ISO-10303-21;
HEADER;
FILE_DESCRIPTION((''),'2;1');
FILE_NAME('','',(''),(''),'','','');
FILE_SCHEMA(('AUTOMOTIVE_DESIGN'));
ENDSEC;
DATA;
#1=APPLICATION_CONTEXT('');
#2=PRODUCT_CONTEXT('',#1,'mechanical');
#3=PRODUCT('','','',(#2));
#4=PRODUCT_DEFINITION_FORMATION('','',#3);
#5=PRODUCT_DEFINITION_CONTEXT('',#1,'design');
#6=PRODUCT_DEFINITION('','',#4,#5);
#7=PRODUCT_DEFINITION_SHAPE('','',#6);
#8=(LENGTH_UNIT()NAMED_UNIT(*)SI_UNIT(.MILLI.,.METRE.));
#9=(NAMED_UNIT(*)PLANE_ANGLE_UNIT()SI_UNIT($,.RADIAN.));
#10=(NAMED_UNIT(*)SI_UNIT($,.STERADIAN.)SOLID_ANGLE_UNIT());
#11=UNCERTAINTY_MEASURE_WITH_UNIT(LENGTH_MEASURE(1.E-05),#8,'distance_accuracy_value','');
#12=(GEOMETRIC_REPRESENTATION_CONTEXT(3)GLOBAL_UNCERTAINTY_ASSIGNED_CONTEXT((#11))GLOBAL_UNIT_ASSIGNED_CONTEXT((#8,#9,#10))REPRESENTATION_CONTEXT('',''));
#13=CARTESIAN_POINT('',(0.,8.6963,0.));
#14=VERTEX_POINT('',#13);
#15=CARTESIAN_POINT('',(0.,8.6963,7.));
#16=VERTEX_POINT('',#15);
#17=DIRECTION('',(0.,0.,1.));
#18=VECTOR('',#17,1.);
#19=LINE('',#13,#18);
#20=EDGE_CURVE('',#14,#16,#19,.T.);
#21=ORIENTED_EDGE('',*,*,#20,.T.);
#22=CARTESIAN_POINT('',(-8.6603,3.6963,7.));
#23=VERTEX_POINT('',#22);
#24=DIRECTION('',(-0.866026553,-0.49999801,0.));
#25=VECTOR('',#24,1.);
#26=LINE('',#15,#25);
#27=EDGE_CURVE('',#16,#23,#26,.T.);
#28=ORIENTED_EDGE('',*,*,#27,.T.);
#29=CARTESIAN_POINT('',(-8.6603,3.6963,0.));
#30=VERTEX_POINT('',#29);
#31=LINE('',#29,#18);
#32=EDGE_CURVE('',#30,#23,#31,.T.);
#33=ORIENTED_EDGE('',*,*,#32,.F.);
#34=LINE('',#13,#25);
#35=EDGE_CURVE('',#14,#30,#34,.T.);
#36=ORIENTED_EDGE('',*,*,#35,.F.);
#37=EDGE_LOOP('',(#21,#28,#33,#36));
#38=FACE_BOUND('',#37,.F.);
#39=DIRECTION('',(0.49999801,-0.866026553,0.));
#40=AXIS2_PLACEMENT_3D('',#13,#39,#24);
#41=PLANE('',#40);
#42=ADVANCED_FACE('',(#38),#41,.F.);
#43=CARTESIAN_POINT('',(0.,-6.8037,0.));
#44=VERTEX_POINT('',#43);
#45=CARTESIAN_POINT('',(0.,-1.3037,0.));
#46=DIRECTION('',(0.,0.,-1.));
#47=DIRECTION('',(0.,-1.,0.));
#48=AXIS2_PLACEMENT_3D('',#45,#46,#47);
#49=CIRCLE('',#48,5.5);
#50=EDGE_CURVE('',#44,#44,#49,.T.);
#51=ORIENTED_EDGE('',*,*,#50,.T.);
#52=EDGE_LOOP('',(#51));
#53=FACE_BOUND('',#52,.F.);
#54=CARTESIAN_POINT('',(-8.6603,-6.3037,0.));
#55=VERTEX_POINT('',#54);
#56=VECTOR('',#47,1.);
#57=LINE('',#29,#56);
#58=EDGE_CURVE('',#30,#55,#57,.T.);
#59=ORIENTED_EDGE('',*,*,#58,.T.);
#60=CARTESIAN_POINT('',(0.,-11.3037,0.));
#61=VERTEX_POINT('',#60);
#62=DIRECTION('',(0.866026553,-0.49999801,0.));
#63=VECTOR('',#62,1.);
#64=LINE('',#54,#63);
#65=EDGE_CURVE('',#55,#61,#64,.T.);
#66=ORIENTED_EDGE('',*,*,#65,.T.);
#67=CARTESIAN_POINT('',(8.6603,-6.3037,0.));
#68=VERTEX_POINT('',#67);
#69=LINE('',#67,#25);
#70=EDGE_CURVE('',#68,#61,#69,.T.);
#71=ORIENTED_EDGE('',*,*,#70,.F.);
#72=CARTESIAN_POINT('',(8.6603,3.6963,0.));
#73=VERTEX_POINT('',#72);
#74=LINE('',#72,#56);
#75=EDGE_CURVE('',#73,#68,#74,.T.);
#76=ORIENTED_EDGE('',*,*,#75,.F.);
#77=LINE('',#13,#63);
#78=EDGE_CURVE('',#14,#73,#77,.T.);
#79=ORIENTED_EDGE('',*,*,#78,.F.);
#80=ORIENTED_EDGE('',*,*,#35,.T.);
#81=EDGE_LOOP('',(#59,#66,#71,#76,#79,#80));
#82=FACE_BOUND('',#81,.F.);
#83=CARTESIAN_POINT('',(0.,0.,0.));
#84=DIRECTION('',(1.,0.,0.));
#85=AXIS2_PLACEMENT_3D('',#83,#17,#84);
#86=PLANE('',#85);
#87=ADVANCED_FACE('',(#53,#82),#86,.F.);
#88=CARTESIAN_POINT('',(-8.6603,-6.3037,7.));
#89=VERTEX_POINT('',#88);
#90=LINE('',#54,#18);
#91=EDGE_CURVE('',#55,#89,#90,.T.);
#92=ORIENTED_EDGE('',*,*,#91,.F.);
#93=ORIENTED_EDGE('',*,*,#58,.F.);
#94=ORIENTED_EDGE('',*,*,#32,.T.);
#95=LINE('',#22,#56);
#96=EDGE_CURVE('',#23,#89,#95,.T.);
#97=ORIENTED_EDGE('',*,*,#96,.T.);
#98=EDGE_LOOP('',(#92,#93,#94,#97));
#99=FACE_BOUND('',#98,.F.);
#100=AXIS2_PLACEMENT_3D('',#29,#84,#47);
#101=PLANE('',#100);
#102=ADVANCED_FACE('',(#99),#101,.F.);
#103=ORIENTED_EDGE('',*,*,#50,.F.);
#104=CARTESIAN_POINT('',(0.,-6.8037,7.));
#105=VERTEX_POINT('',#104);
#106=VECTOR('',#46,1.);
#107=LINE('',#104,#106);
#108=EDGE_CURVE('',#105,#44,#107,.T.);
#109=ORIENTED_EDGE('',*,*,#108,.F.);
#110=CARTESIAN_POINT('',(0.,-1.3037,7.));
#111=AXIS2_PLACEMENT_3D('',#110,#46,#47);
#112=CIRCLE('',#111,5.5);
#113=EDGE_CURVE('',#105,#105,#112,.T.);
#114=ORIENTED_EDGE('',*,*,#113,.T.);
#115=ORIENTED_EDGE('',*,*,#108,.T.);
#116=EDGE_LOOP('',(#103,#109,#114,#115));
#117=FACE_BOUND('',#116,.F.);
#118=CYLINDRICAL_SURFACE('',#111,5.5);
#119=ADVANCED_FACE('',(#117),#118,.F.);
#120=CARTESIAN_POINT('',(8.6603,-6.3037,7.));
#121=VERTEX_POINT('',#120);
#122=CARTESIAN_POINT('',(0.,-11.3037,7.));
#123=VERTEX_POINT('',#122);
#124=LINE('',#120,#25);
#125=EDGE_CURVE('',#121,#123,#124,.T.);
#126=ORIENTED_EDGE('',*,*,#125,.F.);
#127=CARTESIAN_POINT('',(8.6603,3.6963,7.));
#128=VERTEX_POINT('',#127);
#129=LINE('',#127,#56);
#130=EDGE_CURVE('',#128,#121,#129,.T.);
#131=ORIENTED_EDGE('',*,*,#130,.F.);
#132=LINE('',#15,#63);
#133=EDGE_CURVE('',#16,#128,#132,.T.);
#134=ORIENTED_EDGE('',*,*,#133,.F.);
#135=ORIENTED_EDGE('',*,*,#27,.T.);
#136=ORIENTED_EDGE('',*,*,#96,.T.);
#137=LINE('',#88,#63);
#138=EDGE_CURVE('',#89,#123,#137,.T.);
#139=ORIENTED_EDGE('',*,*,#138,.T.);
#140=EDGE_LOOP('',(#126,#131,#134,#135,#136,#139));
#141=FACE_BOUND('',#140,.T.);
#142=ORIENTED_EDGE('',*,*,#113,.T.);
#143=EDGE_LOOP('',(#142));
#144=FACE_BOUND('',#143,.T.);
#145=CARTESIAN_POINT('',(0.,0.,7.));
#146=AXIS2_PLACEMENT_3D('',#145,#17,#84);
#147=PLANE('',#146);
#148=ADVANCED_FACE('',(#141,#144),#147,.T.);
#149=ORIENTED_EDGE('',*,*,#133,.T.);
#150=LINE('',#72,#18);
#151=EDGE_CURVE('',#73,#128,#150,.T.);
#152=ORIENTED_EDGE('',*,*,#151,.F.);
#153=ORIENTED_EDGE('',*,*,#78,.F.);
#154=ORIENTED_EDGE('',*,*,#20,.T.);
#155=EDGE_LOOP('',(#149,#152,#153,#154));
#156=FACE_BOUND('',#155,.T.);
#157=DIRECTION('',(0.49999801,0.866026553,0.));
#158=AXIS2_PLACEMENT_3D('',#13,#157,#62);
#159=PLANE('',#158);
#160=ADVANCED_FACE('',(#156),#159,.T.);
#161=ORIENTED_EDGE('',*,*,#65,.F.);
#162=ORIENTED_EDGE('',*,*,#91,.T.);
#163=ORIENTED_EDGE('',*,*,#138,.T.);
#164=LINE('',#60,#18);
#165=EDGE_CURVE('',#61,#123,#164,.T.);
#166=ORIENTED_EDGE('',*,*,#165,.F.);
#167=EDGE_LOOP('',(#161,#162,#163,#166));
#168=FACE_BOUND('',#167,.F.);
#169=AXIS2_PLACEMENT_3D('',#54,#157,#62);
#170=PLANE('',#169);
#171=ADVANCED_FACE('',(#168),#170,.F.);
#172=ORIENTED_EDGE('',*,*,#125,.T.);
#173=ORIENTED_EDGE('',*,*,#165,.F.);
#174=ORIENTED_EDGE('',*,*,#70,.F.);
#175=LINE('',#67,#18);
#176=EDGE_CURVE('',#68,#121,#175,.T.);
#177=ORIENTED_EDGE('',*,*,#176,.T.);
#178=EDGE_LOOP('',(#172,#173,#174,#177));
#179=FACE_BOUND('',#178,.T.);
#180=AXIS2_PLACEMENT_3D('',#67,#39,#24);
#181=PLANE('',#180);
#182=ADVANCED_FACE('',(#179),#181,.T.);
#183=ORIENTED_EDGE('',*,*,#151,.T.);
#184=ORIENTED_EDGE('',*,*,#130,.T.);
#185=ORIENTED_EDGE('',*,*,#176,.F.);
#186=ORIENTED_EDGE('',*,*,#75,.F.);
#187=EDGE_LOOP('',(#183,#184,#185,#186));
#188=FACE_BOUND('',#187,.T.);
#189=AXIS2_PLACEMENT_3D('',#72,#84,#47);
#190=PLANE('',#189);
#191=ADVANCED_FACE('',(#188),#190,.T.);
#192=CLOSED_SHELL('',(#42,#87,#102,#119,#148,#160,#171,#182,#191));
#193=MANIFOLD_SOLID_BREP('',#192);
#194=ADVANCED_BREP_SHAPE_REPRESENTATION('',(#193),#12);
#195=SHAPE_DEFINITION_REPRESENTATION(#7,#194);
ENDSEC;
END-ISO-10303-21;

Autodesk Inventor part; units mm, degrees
ref_plane "YZ Plane" through (0, 0, 0) normal (1, 0, 0) x (0, 1, 0)
ref_plane "XZ Plane" through (0, 0, 0) normal (0, 1, 0) x (-1, 0, 0)
ref_plane "XY Plane" through (0, 0, 0) normal (0, 0, 1) x (1, 0, 0)
sketch "Sketch1" plane through (0, 0, 0) normal (0, 0, 1) x (1, 0, 0)
  line L0 (0, 12.846) -> (0, -12.1789)
  line L1 (0, 8.6963) -> (-8.6603, 3.6963)
  line L2 (-8.6603, 3.6963) -> (-8.6603, -6.3037)
  line L3 (-8.6603, -6.3037) -> (0, -11.3037)
  line L4 (0, 8.6963) -> (8.6603, 3.6963)
  line L5 (8.6603, 3.6963) -> (8.6603, -6.3037)
  line L6 (8.6603, -6.3037) -> (0, -11.3037)
  point P0 (0, 0)
  dimension "d0" = 120
  dimension "d1" = 120
  dimension "d2" = 10
  dimension "d4" = 5
  dimension "d16" = 9.7893
  dimension "d17" = 20.9142
  dimension "d18" = 0.758
extrude "Extrusion1" add sketch "Sketch1" along normal blind 7
sketch "Sketch2" plane through (0, 0, 7) normal (0, 0, 1) x (1, 0, 0)
  line L0 (0, 10.2692) -> (0, -14.045)
  line L1 (8.6603, -6.3037) -> (8.6603, 3.6963) projected
  line L2 (8.6603, -1.3037) -> (-8.6603, -1.3037)
  line L3 (-8.6603, 3.6963) -> (-8.6603, -6.3037) projected
  point P0 (0, 0)
  point P1 (0, -1.3037)
  dimension "d22" = 8.6602
  dimension "d23" = 23.1456
  dimension "d24" = 25.4826
hole "Hole1" at (0, -1.3037, 7) direction (0, 0, -1) diameter 11 end through all
thread "Thread2" size "M11x1.5" class "6H" standard "ANSI Metric M Profile" full length
equation "\"d4\" = 0.5 * d2"
properties part number "mutter"
